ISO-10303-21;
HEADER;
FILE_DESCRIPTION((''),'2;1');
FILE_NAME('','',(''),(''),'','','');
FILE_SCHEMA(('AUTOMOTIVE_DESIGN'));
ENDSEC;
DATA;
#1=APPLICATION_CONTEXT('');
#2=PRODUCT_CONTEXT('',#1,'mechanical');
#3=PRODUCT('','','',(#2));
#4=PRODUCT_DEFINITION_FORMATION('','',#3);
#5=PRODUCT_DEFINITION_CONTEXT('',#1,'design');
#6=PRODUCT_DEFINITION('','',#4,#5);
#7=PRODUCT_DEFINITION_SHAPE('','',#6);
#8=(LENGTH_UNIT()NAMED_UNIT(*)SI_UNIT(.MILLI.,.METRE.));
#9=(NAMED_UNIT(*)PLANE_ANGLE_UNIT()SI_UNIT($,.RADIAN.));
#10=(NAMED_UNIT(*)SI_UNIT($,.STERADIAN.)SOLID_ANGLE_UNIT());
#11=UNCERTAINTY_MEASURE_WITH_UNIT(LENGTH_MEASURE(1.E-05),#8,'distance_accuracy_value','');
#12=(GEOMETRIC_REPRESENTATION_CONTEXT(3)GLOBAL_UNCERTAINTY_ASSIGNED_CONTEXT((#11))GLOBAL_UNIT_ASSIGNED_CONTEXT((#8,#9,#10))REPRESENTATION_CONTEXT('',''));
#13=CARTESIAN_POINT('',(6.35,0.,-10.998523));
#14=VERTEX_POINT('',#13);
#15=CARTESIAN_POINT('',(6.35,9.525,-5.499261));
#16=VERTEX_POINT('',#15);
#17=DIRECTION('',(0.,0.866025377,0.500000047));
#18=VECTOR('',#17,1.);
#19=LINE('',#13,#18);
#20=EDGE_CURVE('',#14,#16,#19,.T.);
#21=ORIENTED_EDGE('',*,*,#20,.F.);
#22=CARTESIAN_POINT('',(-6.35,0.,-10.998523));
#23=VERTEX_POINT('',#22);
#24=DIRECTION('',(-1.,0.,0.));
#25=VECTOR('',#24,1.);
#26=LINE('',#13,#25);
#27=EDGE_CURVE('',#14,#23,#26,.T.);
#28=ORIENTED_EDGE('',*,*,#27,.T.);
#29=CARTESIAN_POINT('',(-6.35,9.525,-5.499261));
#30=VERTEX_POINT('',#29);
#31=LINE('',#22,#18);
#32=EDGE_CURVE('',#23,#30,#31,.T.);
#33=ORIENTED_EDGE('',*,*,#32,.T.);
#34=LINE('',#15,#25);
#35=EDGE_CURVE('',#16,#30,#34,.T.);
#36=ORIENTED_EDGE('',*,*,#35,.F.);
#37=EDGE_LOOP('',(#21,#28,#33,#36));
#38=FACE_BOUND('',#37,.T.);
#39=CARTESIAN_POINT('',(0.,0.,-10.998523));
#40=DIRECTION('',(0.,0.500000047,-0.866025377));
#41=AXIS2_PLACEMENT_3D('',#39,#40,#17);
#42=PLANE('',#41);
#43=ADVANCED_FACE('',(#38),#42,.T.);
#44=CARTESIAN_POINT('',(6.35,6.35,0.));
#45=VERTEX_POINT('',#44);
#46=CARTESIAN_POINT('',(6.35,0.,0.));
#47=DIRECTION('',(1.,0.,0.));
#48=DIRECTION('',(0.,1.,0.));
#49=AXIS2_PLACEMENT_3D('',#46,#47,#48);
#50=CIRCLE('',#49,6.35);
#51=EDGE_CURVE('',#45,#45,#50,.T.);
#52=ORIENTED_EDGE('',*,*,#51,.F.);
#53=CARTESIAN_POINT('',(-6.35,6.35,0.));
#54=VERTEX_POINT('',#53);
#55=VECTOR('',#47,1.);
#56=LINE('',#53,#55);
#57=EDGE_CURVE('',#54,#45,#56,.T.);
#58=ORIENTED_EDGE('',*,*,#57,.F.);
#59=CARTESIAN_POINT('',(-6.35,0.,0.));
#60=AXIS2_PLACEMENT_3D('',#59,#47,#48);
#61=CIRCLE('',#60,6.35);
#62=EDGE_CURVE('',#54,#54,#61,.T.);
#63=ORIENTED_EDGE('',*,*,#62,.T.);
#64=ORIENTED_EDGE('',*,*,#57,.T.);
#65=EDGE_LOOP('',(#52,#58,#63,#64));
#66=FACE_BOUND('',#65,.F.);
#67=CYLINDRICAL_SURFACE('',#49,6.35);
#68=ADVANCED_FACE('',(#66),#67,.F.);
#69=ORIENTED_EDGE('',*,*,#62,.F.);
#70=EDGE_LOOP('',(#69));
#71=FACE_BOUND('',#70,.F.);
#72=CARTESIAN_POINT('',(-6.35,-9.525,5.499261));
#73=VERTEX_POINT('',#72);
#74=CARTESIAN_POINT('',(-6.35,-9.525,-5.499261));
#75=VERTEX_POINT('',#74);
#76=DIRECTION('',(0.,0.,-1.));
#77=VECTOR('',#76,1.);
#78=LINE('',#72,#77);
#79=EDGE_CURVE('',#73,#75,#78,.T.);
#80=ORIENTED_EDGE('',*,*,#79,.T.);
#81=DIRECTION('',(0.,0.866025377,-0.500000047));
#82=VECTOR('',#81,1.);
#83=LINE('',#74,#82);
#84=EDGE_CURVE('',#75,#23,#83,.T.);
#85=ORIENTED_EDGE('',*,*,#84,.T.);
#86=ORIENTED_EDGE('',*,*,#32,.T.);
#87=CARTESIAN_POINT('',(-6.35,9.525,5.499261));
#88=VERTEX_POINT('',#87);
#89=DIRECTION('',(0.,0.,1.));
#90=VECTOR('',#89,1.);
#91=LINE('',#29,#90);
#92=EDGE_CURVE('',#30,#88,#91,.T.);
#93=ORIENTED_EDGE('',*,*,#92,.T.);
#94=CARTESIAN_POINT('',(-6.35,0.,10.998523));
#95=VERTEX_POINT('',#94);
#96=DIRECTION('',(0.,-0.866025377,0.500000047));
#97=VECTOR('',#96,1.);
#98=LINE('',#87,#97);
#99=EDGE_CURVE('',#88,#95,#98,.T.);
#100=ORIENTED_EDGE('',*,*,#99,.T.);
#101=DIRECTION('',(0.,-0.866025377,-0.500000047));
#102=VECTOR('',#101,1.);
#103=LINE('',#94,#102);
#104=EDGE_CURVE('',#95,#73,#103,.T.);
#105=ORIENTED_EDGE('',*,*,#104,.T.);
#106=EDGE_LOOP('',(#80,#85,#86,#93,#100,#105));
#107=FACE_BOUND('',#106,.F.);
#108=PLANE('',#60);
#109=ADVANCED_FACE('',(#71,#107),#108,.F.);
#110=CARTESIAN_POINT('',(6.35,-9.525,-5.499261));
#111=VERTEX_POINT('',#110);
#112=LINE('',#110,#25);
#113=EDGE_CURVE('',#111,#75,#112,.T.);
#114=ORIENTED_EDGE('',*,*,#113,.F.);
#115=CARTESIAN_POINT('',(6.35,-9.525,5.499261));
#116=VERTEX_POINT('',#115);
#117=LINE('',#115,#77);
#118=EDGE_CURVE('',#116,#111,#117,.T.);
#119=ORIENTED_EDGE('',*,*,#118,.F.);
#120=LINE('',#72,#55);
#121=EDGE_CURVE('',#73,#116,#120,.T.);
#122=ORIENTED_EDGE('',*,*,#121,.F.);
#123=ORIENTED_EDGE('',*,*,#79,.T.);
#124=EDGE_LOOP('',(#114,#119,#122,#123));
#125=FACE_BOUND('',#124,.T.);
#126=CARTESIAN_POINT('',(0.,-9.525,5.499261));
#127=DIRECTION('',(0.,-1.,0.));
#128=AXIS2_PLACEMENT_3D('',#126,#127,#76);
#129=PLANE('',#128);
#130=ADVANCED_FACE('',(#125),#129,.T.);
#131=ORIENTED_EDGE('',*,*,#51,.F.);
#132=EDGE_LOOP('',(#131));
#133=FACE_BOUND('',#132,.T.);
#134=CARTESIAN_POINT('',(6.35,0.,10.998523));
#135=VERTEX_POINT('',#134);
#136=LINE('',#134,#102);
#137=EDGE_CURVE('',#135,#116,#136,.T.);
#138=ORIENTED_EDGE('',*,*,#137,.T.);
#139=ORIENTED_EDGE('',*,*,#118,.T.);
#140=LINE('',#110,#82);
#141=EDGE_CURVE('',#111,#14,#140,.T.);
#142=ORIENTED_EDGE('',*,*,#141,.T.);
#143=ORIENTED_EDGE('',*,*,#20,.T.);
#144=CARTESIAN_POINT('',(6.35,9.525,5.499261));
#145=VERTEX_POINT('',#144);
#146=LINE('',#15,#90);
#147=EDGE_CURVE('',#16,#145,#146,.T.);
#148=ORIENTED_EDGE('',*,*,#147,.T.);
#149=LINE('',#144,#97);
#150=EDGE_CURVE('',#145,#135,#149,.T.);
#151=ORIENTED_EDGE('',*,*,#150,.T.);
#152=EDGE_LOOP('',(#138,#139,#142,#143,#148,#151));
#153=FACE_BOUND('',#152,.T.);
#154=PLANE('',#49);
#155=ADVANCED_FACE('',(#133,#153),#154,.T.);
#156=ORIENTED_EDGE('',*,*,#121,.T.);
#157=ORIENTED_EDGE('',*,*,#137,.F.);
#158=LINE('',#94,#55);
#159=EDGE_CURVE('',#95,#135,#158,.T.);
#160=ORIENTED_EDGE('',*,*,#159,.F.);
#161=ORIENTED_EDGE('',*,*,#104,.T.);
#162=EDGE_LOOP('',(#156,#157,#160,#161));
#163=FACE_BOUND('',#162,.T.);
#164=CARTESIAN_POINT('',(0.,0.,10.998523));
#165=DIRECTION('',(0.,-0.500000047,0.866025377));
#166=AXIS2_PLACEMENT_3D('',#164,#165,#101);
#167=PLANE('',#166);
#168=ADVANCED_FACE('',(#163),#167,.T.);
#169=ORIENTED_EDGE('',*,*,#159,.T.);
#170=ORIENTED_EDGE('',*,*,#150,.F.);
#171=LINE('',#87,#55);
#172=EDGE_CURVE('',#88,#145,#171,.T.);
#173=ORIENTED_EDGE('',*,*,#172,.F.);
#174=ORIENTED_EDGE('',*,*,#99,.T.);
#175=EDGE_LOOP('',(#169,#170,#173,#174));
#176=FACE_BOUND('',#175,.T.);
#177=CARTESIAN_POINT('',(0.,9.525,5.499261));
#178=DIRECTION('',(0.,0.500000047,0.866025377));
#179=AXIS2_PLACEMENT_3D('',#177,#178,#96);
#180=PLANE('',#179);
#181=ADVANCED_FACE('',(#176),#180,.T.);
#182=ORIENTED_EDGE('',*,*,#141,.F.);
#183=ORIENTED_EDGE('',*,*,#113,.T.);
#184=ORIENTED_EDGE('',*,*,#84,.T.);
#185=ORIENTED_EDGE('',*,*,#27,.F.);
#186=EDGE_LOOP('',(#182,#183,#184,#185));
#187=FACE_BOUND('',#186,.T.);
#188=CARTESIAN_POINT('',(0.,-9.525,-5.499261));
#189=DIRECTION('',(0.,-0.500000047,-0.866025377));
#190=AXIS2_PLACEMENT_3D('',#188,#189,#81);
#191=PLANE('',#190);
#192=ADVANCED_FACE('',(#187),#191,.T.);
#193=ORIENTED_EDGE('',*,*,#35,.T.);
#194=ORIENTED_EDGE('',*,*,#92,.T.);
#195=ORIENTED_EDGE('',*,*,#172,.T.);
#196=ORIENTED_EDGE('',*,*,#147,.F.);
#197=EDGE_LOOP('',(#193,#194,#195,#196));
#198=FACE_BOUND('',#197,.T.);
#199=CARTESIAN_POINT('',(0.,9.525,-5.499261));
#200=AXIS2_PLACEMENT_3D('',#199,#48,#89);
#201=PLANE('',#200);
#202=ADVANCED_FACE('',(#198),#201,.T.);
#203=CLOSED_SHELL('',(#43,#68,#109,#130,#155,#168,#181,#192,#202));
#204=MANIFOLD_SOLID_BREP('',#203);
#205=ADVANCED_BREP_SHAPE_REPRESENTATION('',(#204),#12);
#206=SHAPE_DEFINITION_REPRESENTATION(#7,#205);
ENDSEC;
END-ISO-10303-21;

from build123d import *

# Parameters (mm, degrees)
F1_DEPTH = 6.35
F2_R     = 6.35
F3_DEPTH = 12.7


with BuildPart() as f1:
    # F0 (on Right) → F1 (new body, symmetric)
    with BuildSketch(Plane.YZ):
        Polygon((9.525, -5.499261), (9.525, 5.499261), (0, 10.998523), (-9.525, 5.499261), (-9.525, -5.499261), (0, -10.998523), align=None)
    extrude(amount=F1_DEPTH, both=True)

    # F2 (on face) → F3 (cut, symmetric)
    with BuildSketch(Plane.YZ.offset(6.35)):
        Circle(F2_R)
    extrude(amount=F3_DEPTH, both=True, mode=Mode.SUBTRACT)


solid = f1.part
